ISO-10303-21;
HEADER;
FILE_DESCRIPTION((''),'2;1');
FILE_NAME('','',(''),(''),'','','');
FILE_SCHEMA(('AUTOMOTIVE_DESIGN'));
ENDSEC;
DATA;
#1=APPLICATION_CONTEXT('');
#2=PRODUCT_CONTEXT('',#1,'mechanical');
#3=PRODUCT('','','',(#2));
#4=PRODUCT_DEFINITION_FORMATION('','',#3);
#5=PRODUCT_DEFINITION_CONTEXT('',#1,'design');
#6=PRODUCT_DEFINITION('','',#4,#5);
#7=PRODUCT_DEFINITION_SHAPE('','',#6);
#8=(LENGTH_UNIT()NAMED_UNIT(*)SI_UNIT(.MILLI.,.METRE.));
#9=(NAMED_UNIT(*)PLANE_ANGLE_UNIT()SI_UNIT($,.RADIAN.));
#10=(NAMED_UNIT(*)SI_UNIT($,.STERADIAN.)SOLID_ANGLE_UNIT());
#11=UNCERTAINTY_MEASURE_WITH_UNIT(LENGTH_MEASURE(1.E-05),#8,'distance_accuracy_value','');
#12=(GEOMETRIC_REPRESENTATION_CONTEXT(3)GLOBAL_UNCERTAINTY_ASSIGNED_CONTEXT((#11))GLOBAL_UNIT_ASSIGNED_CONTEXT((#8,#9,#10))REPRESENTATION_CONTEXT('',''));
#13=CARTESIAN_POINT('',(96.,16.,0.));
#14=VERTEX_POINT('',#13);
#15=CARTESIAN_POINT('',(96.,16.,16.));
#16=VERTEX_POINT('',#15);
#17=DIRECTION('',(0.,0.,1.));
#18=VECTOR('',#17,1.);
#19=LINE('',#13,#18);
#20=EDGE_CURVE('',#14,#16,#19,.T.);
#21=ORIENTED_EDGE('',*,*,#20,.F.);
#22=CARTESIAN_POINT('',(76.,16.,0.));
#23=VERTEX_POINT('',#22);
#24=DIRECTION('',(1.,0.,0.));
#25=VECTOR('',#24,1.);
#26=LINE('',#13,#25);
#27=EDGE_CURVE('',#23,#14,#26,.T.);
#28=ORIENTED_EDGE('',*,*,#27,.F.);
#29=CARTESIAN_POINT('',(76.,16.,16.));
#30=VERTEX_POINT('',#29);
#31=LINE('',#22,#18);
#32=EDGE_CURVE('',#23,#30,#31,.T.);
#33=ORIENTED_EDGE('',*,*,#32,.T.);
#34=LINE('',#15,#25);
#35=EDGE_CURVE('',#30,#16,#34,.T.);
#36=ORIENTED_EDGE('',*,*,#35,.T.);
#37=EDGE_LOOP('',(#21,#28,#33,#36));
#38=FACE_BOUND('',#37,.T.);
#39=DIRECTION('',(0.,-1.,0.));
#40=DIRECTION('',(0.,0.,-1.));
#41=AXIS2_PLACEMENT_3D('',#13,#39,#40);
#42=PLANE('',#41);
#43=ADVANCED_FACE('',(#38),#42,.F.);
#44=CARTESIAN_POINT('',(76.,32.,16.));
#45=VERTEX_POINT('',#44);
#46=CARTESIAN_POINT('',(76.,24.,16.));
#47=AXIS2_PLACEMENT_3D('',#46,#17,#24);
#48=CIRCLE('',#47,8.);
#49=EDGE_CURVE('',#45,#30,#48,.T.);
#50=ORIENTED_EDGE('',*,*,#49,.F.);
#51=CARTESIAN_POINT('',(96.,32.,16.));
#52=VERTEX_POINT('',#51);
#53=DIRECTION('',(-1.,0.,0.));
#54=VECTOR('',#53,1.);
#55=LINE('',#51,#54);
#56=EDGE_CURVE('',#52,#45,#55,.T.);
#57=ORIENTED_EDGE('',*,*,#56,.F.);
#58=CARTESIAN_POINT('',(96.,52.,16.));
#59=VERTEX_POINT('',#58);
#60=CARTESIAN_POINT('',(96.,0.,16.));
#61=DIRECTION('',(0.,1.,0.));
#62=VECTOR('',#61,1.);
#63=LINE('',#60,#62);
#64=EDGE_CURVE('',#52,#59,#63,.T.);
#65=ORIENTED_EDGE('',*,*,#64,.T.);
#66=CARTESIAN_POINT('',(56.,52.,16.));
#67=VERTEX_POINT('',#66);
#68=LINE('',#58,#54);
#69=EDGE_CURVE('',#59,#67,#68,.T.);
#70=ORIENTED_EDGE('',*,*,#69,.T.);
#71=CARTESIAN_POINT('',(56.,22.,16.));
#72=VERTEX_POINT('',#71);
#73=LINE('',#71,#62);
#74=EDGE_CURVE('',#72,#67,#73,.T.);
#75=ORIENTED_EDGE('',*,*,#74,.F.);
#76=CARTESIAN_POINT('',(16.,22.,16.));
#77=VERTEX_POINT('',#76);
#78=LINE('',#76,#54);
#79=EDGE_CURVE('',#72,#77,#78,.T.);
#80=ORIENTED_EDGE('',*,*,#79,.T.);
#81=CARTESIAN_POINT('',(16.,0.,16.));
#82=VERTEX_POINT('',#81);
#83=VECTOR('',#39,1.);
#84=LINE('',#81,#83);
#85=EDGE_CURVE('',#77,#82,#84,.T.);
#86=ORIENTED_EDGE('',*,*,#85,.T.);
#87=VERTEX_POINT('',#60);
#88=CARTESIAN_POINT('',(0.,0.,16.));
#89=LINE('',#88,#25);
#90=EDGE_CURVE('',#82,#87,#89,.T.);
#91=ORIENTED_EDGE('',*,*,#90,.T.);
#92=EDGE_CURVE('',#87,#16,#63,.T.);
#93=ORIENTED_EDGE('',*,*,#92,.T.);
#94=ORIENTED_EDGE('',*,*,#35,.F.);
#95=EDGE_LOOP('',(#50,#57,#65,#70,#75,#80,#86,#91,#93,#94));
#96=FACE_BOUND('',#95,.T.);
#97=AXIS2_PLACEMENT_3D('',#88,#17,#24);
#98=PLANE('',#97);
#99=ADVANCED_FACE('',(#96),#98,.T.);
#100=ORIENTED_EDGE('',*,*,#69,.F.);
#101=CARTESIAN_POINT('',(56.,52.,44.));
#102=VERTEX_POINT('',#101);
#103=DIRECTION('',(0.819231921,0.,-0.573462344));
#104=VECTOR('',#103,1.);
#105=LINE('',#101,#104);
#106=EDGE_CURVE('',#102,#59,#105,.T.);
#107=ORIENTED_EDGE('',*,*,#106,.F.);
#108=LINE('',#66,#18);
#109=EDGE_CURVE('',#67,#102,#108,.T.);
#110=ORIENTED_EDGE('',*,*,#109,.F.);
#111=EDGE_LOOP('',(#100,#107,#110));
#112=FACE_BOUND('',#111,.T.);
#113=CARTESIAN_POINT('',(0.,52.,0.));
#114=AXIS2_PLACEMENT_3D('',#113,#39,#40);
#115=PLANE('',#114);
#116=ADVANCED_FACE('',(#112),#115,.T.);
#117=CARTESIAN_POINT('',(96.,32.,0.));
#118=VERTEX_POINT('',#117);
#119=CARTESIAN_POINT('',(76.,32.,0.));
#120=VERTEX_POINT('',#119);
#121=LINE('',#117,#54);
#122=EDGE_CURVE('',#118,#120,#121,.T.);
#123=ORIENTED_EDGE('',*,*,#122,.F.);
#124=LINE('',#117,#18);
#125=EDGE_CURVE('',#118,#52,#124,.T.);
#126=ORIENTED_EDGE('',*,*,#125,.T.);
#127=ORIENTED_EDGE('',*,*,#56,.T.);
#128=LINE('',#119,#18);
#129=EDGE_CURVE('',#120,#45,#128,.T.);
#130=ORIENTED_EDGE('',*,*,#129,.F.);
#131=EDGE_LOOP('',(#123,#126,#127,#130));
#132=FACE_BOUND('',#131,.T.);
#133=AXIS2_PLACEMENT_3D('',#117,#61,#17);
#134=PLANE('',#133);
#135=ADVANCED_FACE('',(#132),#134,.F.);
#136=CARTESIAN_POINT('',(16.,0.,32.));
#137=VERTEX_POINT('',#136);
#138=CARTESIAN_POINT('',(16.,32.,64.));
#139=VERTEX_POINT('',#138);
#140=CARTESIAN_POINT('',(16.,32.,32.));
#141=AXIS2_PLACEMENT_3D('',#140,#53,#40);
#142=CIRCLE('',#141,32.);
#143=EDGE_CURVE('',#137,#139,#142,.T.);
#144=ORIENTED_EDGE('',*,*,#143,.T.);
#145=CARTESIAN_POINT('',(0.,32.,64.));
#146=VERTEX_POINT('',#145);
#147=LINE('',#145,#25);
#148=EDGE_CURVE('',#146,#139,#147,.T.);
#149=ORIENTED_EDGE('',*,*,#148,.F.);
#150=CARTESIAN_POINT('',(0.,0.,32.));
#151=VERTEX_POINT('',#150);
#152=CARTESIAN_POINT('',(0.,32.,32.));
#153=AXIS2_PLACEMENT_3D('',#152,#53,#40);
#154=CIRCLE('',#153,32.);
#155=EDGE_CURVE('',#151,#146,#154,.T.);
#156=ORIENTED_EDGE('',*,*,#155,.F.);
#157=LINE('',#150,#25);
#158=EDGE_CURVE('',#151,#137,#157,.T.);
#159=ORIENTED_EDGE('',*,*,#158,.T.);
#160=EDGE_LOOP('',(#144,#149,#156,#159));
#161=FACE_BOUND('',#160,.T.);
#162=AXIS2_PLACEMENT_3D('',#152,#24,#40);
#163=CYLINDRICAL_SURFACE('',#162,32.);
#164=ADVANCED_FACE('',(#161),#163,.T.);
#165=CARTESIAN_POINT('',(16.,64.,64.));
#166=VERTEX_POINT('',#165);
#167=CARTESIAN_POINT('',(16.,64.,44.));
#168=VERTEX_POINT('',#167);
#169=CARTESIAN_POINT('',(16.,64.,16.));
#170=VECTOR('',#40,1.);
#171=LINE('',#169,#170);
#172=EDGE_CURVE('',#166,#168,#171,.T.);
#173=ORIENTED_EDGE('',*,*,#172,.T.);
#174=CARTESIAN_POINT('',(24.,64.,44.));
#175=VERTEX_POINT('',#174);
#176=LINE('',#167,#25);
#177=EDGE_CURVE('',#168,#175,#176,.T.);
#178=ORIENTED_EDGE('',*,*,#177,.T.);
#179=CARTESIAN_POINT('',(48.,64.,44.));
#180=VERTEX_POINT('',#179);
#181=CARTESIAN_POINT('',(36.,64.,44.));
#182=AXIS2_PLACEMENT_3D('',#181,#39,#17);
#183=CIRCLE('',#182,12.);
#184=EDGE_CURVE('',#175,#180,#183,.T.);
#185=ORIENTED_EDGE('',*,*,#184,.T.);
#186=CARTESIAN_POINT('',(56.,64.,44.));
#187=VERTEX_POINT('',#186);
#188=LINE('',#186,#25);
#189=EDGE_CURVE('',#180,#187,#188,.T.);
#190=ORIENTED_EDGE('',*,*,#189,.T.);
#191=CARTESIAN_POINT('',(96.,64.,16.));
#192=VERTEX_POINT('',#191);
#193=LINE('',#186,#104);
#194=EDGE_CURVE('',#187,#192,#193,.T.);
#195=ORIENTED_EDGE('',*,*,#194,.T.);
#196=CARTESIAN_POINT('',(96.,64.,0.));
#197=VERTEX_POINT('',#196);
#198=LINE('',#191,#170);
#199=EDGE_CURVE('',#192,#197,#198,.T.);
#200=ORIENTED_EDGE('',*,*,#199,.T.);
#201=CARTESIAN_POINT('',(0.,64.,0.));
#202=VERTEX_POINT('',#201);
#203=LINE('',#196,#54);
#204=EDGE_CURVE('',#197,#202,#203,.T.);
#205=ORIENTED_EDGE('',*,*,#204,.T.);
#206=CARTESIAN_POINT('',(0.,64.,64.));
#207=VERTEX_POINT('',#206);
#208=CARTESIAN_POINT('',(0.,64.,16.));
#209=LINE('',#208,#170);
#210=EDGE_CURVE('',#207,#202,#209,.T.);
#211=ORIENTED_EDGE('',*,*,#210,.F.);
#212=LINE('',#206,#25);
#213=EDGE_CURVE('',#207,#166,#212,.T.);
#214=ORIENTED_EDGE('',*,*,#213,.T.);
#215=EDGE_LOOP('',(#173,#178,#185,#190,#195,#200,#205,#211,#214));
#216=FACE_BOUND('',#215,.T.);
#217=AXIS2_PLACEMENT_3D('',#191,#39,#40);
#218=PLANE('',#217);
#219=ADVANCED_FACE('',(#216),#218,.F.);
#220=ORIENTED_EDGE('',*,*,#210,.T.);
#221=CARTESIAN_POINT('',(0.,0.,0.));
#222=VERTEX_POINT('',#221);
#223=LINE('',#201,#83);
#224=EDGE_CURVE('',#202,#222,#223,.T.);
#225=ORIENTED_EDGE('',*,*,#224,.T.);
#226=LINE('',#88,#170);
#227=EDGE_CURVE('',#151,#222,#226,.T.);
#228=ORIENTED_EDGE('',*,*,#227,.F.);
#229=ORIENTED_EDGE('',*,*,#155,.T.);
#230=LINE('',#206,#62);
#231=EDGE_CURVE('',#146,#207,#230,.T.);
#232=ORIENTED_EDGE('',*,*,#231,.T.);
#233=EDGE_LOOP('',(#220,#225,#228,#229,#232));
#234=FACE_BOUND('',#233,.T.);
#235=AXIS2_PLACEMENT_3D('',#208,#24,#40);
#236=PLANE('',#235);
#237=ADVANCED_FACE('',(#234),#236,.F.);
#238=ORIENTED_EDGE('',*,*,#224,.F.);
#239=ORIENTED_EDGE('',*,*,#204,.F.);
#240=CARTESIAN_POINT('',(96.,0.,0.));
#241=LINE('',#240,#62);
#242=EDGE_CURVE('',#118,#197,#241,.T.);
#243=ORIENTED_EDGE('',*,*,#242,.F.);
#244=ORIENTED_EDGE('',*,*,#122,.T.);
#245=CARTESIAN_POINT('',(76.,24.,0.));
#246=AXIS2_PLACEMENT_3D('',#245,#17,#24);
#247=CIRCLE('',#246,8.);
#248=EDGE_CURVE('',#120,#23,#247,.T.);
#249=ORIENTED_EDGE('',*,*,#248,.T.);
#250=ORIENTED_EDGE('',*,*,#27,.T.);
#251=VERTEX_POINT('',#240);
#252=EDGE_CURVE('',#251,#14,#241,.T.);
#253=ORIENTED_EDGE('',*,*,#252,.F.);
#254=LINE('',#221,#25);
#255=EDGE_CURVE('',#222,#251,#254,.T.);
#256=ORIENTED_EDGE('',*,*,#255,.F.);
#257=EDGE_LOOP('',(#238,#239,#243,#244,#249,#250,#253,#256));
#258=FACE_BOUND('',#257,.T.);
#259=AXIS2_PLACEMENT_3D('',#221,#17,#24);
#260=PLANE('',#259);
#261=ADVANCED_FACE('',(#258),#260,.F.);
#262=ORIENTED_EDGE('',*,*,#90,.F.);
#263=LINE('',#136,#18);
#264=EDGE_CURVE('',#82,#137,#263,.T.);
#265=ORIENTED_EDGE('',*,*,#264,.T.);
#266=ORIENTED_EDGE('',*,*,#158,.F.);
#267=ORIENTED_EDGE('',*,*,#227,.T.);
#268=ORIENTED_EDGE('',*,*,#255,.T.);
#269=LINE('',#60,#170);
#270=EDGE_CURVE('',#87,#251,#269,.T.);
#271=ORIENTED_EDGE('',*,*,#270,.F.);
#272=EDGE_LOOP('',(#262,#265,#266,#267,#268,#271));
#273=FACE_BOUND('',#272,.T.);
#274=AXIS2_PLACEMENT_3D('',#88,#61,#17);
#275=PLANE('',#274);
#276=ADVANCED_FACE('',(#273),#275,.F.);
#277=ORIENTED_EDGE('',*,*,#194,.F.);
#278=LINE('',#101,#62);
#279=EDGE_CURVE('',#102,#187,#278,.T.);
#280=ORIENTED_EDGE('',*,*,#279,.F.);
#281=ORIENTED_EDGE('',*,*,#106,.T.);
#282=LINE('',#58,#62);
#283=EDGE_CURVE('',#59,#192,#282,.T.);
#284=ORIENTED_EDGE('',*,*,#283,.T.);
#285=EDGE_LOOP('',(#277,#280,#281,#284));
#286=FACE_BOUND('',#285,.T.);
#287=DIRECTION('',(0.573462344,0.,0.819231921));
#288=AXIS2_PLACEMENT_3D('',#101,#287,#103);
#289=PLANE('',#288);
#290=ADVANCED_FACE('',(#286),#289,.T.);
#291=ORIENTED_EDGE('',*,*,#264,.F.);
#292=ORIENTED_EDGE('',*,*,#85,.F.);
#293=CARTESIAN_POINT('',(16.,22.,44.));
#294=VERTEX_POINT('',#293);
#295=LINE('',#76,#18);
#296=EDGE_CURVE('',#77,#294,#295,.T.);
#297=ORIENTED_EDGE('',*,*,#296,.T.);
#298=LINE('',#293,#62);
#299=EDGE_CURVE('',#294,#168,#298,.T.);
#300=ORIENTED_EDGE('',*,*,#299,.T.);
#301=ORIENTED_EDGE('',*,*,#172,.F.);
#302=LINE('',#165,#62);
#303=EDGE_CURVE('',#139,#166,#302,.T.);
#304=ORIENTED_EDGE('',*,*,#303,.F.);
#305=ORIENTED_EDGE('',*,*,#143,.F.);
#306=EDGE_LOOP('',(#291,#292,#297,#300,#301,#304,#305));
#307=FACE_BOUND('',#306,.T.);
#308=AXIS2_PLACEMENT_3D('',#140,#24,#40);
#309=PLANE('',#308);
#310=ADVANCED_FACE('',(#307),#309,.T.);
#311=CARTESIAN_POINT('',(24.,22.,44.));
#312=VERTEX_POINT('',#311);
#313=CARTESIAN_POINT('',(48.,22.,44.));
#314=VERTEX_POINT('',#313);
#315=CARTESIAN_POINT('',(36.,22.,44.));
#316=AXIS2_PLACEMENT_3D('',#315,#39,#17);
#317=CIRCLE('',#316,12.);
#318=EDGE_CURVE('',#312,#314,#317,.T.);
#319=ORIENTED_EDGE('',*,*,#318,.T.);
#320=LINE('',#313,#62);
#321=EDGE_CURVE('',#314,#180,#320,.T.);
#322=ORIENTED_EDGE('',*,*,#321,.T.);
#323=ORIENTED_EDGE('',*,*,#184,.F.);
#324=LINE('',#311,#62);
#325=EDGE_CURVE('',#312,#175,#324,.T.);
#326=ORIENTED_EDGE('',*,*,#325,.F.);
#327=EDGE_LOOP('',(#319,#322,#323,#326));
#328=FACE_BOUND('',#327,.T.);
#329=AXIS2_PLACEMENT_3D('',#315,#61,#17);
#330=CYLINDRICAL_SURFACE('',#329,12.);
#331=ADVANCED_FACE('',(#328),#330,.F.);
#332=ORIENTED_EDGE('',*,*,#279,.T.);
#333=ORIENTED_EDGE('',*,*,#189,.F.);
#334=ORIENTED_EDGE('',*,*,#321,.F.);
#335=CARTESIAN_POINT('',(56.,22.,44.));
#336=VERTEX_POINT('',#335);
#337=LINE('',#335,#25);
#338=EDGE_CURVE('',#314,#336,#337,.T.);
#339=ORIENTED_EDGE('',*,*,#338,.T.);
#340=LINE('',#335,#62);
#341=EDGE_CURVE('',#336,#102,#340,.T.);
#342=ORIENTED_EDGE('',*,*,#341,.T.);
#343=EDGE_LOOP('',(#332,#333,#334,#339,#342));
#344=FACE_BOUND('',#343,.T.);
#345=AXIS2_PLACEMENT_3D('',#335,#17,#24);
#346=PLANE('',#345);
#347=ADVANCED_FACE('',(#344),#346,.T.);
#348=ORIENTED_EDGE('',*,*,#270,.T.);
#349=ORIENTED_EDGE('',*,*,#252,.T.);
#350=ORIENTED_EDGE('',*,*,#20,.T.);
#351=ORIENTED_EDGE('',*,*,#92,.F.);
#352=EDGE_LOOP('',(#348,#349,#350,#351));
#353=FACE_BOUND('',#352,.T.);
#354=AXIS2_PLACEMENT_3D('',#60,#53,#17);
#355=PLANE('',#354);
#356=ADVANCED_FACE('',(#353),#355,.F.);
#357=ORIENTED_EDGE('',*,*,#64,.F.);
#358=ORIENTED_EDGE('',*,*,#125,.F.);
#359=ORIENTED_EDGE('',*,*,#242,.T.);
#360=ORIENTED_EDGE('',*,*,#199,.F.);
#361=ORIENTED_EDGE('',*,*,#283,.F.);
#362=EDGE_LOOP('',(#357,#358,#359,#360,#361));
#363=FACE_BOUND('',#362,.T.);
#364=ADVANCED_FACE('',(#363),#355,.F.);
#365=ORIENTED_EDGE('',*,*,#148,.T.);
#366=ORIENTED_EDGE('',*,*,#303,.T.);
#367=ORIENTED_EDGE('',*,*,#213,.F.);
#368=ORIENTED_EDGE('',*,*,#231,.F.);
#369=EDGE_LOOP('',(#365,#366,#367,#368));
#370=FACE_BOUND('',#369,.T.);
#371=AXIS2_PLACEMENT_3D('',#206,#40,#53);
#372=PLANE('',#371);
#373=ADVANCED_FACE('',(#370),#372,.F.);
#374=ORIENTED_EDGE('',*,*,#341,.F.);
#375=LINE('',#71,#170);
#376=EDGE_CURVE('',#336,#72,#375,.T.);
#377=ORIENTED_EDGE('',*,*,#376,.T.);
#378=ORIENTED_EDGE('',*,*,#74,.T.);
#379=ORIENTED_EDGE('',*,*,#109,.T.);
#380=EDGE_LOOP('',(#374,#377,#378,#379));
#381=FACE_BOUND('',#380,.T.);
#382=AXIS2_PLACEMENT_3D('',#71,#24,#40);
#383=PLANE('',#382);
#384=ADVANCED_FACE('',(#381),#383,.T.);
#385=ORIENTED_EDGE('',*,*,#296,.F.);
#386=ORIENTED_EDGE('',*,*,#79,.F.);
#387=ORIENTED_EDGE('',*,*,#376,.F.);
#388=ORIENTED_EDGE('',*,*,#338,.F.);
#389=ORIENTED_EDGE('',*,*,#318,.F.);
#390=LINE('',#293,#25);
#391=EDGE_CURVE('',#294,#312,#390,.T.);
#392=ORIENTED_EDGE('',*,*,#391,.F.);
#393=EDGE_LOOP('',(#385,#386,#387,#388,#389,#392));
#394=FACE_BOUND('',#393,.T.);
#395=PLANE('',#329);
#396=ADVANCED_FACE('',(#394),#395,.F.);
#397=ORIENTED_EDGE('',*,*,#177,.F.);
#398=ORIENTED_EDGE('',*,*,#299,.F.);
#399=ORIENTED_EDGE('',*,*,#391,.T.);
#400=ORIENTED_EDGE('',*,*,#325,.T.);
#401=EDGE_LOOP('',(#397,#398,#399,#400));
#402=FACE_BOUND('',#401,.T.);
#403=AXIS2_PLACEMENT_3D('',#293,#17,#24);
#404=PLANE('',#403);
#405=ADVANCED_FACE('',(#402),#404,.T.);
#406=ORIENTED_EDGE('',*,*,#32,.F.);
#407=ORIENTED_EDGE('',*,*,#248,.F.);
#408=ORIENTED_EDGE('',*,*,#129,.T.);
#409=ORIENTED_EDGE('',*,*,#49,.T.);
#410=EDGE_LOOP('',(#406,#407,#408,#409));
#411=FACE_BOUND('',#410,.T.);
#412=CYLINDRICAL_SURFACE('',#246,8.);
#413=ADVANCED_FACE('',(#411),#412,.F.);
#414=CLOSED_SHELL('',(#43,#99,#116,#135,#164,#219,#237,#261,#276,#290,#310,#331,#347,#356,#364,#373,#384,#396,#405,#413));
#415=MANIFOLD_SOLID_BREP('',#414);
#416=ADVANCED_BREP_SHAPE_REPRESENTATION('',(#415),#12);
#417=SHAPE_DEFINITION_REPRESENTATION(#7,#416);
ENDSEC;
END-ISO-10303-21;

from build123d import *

# Parameters (mm, degrees)
SKETCH1_W           = 96
SKETCH1_H           = 64
BOSS_EXTRUDE1_DEPTH = 16
BOSS_EXTRUDE2_DEPTH = 16
BOSS_EXTRUDE3_DEPTH = 42
BOSS_EXTRUDE4_DEPTH = 12
CUT_EXTRUDE2_DEPTH  = 16


with BuildPart() as part:
    # Sketch1 → Boss-Extrude1 (new body)
    with BuildSketch(Plane.XY):
        with Locations((48, 32)):
            Rectangle(SKETCH1_W, SKETCH1_H)
    extrude(amount=BOSS_EXTRUDE1_DEPTH)

    # Sketch3 → Boss-Extrude2 (add)
    with BuildSketch(Plane.ZY.offset(-16)):
        with BuildLine():
            Line((16, 0), (16, 64))
            Line((16, 64), (64, 64))
            Line((64, 64), (64, 32))
            ThreePointArc((64, 32), (54.627416998, 9.372583002), (32, 0))
            Line((32, 0), (16, 0))
        make_face()
    extrude(amount=BOSS_EXTRUDE2_DEPTH)

    # Sketch4 → Boss-Extrude3 (add)
    with BuildSketch(Plane(origin=(0, 64, 0), x_dir=(1, 0, 0), z_dir=(0, 1, 0))):
        with BuildLine():
            Line((16, -16), (56, -16))
            Line((56, -16), (56, -44))
            Line((56, -44), (48, -44))
            ThreePointArc((48, -44), (36, -32), (24, -44))
            Line((24, -44), (16, -44))
            Line((16, -44), (16, -16))
        make_face()
    extrude(amount=-BOSS_EXTRUDE3_DEPTH)

    # Sketch5 → Boss-Extrude4 (add)
    with BuildSketch(Plane(origin=(0, 64, 0), x_dir=(1, 0, 0), z_dir=(0, 1, 0))):
        Polygon((96, -16), (56, -16), (56, -44), align=None)
    extrude(amount=-BOSS_EXTRUDE4_DEPTH)

    # Sketch6 → Cut-Extrude2 (cut)
    with BuildSketch(Plane.XY.offset(16)):
        with BuildLine():
            Line((96, 16), (96, 32))
            Line((96, 32), (76, 32))
            ThreePointArc((76, 32), (68, 24), (76, 16))
            Line((76, 16), (96, 16))
        make_face()
    extrude(amount=-CUT_EXTRUDE2_DEPTH, mode=Mode.SUBTRACT)


solid = part.part
